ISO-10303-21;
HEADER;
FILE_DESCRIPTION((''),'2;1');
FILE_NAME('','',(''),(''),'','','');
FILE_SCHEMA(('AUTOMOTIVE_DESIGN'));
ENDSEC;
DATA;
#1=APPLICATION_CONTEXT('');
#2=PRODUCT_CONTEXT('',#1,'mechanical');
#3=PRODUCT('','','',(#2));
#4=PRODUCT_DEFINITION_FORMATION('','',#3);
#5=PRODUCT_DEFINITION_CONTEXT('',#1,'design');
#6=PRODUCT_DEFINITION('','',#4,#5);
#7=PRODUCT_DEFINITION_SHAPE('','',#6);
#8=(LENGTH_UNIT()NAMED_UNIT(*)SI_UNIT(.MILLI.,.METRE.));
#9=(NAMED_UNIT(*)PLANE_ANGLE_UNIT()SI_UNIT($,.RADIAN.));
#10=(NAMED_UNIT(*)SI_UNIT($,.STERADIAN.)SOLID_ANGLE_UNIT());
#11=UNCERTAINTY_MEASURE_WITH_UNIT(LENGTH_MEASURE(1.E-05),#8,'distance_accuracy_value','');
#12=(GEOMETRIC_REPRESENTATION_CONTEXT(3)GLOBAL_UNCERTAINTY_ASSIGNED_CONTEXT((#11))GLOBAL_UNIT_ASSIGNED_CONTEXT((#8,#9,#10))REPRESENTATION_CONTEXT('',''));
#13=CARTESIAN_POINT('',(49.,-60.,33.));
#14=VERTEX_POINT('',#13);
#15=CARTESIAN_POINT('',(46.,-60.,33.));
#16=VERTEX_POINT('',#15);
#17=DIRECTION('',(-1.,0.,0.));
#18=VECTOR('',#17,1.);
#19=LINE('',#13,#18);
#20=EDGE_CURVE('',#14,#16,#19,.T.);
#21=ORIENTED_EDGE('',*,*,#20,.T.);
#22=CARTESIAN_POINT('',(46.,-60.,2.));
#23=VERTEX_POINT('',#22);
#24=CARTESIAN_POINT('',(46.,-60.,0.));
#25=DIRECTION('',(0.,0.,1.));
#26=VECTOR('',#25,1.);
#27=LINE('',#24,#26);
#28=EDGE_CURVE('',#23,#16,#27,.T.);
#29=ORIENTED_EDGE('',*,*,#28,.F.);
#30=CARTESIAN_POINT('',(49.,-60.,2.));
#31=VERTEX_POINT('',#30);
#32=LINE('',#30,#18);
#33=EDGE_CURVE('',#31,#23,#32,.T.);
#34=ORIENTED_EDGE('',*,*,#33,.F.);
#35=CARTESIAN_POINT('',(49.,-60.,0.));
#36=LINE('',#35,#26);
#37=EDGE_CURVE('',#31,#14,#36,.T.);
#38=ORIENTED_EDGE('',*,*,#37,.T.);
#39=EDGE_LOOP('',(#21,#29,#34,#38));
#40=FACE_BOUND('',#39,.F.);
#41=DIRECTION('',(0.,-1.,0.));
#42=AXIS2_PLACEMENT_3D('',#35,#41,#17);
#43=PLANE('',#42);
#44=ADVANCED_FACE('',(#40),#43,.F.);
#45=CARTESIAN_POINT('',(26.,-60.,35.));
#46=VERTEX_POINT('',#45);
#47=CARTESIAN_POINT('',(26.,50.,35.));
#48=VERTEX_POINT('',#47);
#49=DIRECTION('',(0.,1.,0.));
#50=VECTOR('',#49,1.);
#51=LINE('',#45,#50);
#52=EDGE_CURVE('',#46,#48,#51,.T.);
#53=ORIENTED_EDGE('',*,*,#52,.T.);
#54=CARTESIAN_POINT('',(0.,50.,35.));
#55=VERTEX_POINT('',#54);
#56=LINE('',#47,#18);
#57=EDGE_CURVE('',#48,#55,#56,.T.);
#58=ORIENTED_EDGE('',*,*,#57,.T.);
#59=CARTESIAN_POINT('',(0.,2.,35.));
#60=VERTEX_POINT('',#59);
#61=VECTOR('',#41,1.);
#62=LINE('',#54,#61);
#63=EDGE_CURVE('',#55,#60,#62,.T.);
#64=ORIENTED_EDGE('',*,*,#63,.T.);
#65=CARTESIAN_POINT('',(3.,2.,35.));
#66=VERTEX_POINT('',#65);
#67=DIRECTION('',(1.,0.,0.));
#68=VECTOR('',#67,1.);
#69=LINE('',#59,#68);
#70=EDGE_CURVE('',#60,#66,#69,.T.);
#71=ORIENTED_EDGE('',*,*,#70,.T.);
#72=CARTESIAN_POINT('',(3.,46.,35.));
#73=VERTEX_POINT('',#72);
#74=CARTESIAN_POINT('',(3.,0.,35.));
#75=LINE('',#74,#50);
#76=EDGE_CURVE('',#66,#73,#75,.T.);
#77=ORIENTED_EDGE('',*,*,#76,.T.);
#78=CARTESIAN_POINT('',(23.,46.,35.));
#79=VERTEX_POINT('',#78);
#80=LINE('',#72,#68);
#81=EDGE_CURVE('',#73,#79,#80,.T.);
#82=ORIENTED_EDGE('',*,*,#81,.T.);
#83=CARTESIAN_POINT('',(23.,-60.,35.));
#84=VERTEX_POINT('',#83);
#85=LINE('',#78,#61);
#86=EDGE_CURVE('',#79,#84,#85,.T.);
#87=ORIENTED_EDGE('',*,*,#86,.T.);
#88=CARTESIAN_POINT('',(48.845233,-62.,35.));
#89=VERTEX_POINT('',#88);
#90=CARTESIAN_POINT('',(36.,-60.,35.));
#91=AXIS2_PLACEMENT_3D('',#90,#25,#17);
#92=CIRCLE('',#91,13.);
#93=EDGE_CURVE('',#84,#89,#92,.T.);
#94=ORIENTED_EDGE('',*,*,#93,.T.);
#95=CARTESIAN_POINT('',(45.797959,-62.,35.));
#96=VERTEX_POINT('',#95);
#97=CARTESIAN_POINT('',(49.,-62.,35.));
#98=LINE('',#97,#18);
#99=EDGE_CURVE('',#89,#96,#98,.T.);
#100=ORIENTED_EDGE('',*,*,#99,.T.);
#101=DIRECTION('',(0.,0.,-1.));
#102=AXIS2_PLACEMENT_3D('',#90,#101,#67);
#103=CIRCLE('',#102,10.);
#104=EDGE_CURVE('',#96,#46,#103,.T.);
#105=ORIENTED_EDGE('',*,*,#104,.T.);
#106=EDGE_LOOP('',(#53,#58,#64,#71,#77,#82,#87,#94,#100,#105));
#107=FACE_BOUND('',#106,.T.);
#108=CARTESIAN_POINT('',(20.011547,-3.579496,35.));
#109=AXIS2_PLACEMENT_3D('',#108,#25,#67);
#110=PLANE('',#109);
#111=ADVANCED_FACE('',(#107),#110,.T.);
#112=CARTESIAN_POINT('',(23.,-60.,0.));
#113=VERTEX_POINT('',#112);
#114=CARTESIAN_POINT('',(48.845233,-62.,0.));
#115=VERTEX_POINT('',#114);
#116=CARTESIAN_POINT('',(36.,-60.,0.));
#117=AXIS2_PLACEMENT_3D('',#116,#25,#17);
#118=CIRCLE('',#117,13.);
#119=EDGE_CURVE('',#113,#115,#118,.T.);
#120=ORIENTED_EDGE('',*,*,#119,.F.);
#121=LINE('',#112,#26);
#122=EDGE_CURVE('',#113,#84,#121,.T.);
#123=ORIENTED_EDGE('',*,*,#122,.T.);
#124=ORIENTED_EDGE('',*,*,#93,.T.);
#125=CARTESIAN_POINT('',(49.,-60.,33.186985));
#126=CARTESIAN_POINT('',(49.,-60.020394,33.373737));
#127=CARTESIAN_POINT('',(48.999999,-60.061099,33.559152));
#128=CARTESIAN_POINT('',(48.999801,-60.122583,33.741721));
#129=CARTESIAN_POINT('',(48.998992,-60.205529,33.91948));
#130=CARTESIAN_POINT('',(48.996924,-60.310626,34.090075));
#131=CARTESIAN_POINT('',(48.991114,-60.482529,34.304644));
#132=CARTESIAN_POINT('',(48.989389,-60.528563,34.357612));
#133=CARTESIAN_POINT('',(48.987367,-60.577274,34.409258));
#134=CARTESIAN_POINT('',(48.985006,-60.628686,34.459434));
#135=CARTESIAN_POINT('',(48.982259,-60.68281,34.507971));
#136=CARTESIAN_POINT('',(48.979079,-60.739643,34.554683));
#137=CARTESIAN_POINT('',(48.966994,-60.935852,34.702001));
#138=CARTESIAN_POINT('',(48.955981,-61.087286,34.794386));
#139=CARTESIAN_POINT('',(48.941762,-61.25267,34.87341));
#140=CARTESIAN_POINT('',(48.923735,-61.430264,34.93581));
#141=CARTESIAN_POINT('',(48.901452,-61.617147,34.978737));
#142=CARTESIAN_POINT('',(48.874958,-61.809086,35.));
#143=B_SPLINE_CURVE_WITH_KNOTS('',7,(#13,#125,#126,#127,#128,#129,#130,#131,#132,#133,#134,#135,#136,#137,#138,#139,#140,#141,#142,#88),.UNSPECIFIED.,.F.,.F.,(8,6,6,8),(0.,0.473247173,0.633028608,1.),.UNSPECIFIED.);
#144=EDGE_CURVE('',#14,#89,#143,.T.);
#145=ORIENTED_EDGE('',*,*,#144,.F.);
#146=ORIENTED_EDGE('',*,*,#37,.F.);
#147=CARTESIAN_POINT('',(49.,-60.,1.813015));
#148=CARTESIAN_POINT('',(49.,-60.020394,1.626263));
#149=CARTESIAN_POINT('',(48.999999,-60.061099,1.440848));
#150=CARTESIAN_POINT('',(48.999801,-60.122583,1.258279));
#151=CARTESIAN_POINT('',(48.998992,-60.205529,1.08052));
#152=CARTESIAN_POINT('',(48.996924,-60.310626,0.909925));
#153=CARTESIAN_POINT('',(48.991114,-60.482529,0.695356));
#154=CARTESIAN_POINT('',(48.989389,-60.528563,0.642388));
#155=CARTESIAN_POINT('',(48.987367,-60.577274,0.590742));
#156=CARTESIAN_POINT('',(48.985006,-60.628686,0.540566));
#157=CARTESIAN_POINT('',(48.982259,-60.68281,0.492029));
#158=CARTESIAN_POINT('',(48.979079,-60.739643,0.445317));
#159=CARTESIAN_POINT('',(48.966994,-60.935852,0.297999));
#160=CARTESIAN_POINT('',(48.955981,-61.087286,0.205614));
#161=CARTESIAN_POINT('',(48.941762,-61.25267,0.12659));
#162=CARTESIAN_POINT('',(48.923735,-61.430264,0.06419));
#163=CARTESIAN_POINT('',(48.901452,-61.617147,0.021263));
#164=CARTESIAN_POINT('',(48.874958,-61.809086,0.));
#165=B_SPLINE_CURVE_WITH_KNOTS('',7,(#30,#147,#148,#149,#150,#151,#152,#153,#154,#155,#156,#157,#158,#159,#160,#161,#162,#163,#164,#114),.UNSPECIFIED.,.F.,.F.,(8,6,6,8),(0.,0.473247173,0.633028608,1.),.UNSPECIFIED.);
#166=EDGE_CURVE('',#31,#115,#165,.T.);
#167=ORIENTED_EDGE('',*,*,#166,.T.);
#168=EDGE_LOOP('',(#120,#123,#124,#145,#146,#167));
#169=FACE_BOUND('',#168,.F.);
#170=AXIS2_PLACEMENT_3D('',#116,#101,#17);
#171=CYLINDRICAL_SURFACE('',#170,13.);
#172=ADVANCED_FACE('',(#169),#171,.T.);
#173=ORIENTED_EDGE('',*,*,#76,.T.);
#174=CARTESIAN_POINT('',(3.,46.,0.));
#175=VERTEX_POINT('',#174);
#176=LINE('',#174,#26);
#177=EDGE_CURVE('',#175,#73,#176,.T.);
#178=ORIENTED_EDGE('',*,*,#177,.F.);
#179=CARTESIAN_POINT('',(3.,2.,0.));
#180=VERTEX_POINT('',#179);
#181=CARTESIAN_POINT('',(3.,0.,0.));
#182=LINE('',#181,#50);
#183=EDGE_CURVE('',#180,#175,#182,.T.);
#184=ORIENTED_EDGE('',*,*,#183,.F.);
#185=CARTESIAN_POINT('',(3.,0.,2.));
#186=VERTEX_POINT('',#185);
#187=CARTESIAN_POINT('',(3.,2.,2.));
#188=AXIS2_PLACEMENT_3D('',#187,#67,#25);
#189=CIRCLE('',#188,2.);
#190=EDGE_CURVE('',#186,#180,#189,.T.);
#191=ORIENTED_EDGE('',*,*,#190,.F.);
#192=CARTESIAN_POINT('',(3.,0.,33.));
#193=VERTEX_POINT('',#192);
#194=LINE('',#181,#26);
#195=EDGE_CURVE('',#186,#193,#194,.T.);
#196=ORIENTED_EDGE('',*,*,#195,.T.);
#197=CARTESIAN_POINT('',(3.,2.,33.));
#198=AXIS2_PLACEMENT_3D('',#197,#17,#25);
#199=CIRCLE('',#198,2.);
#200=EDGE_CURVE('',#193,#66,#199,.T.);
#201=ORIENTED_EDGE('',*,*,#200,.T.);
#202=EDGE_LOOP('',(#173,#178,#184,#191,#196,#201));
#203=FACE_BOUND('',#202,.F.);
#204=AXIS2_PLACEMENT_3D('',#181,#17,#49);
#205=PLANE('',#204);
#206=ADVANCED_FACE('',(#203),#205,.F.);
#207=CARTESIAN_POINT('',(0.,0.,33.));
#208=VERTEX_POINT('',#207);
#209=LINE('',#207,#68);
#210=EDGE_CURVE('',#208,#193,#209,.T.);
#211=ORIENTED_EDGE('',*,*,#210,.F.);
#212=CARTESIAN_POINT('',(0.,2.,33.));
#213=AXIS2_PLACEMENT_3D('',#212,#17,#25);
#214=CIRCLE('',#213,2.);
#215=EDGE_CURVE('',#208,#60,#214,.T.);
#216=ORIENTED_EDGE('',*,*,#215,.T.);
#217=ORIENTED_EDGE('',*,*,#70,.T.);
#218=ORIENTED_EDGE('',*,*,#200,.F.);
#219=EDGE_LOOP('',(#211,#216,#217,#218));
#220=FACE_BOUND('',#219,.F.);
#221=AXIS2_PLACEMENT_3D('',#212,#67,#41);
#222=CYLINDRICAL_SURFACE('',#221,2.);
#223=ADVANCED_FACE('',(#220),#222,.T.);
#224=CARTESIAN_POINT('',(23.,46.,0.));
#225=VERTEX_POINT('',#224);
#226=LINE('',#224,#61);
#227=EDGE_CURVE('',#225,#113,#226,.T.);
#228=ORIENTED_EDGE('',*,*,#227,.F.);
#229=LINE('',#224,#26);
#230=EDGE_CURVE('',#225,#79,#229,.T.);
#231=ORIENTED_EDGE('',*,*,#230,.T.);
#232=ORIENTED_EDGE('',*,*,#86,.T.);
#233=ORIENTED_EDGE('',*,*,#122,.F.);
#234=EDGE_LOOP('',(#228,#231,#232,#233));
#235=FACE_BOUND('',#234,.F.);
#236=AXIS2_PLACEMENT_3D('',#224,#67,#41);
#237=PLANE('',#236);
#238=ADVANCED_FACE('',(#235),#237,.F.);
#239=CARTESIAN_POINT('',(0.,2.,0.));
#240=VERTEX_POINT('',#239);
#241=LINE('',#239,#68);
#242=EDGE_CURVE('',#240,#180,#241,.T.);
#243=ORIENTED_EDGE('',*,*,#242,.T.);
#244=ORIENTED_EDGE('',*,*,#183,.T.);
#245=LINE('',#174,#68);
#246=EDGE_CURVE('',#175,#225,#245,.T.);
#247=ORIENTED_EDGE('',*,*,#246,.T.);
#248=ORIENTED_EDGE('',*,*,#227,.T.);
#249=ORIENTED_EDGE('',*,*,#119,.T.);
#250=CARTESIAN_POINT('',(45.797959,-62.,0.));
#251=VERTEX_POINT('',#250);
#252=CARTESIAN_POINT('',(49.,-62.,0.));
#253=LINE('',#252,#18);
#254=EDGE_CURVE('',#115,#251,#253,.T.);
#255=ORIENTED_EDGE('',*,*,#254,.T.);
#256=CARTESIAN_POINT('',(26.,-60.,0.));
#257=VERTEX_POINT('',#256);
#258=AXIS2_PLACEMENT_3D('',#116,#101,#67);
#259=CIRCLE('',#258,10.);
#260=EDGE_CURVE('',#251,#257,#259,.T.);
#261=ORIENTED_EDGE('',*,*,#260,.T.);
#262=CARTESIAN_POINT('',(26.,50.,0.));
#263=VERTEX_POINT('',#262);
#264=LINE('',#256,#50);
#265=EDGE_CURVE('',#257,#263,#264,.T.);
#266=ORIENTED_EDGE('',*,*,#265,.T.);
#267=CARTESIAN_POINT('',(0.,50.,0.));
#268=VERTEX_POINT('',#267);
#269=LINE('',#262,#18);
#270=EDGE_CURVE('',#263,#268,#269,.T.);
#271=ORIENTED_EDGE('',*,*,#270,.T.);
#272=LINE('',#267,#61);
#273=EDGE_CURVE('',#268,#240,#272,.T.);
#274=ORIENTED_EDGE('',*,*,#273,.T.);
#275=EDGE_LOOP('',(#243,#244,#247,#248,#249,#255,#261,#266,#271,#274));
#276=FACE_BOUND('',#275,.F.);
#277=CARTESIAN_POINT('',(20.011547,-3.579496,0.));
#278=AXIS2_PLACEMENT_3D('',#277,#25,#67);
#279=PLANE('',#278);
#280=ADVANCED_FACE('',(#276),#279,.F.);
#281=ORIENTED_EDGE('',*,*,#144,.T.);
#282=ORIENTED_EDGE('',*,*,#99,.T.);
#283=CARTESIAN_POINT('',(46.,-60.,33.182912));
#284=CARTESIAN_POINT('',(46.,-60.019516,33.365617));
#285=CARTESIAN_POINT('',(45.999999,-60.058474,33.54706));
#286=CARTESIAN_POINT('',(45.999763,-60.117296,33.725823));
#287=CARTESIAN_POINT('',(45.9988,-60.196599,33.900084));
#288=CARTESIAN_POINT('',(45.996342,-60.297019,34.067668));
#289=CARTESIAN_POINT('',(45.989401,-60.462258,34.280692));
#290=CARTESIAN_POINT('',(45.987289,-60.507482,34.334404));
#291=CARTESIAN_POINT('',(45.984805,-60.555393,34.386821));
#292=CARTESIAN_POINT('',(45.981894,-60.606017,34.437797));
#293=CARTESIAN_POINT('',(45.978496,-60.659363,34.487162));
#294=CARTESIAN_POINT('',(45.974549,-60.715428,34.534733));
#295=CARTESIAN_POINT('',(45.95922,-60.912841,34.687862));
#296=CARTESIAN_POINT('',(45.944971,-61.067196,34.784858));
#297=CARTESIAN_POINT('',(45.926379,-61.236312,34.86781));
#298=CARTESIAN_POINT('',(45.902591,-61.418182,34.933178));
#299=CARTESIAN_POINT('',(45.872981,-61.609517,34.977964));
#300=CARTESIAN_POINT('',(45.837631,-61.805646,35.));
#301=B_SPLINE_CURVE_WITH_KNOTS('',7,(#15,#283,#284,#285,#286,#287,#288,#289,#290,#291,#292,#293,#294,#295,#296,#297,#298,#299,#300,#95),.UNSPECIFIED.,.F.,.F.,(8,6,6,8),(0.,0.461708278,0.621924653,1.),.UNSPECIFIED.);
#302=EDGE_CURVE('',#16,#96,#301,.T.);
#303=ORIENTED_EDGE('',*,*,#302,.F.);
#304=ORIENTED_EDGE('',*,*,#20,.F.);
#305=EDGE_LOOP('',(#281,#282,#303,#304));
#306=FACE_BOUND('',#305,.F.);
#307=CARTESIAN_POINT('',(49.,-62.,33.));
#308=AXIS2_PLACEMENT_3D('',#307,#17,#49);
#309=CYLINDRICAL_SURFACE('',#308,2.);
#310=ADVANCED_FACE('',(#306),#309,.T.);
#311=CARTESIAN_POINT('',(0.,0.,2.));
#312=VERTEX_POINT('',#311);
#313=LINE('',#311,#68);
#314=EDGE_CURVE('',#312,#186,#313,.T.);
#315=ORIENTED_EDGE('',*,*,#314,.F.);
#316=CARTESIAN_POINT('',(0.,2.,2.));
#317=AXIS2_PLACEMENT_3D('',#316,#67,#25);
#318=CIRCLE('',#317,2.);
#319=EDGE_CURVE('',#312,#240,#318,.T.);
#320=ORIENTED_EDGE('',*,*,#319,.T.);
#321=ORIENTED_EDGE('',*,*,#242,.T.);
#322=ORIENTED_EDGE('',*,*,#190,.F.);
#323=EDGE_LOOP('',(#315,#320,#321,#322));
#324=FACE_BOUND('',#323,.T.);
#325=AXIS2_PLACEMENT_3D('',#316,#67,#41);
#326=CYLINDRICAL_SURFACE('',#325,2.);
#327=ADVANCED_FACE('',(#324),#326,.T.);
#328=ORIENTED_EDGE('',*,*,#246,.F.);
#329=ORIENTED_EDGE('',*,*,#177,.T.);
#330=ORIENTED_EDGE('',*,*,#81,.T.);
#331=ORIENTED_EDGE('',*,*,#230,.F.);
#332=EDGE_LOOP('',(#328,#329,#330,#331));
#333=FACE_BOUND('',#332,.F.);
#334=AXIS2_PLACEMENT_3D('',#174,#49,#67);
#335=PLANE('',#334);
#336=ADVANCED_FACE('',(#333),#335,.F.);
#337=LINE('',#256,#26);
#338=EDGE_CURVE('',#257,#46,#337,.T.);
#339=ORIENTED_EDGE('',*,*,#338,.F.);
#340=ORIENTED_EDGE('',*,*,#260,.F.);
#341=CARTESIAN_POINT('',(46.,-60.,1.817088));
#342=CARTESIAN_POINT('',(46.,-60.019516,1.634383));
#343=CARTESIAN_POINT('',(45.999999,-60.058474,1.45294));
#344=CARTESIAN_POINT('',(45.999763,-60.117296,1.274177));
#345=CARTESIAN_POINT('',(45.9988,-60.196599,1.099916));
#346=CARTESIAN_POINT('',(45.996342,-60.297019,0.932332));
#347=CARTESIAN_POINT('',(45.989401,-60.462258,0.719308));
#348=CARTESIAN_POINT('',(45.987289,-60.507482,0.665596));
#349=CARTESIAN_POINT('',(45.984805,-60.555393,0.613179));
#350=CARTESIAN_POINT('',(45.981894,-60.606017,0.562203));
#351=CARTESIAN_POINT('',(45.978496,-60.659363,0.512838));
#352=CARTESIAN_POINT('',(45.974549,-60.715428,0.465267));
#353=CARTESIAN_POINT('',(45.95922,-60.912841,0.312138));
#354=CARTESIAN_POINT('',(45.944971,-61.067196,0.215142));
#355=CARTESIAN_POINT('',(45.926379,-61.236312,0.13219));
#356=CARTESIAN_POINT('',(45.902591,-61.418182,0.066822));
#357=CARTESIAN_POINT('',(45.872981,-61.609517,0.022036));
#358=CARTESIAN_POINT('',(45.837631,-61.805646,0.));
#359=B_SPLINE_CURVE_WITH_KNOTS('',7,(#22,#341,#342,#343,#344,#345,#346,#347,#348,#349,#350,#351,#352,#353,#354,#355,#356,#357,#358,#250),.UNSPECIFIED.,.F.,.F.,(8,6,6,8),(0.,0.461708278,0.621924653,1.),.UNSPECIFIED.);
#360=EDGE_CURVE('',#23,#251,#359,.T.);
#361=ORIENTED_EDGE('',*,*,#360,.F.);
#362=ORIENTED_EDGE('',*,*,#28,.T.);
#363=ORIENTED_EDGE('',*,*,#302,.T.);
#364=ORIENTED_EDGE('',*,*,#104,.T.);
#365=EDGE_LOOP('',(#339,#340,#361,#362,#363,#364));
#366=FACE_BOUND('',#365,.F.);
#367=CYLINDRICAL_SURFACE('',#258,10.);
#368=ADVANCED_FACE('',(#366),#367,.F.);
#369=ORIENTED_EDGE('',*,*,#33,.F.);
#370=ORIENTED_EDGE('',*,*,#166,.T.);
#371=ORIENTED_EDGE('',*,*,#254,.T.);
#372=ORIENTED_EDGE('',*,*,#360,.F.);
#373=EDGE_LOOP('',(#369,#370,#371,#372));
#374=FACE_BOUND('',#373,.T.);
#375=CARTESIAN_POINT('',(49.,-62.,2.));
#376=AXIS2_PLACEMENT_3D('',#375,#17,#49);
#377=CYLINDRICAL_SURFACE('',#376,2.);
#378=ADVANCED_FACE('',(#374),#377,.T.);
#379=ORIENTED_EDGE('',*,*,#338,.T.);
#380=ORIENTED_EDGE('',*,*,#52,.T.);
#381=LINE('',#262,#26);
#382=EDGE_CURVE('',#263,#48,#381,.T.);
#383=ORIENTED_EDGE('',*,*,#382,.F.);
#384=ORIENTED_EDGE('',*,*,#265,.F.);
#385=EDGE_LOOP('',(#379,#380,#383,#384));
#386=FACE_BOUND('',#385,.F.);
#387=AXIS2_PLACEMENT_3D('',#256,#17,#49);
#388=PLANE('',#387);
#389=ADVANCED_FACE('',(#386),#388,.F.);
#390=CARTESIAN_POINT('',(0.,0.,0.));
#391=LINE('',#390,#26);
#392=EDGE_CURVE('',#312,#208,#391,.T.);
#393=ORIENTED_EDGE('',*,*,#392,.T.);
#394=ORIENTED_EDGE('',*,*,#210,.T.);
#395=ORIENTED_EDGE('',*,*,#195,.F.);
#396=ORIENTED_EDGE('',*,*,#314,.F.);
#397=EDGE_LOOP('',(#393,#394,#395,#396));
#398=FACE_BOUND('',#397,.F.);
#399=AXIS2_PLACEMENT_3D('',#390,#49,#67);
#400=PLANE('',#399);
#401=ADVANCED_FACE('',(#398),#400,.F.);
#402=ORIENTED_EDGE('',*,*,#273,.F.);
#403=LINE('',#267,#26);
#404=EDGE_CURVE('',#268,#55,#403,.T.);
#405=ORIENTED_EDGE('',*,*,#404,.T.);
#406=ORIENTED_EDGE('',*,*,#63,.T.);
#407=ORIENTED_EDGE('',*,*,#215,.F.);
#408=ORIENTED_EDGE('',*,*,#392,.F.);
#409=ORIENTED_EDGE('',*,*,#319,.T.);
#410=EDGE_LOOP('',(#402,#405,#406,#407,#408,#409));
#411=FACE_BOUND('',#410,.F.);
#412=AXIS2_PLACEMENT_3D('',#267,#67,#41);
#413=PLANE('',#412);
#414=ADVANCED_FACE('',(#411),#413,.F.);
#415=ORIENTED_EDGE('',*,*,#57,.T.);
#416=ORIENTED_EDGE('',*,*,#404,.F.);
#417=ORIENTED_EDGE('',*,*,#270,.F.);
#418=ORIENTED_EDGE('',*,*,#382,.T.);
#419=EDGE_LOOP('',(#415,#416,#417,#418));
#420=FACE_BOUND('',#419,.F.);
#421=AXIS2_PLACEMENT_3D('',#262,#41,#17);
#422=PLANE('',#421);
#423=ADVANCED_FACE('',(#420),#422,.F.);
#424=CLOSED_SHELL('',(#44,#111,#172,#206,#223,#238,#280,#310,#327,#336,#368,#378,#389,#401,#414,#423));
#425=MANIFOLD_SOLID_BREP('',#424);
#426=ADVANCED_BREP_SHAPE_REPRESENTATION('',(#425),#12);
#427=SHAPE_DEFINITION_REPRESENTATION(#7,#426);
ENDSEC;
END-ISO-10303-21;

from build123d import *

# Parameters (mm, degrees)
F1_DEPTH = 35
F2_R     = 2


with BuildPart() as f1:
    # F0 (on Top) → F1 (new body)
    with BuildSketch(Plane.XY):
        with BuildLine():
            Line((0, 50), (0, 0))
            Line((0, 0), (3, 0))
            Line((3, 0), (3, 46))
            Line((3, 46), (23, 46))
            Line((23, 46), (23, -60))
            ThreePointArc((23, -60), (36, -73), (49, -60))
            Line((49, -60), (46, -60))
            ThreePointArc((46, -60), (36, -70), (26, -60))
            Line((26, -60), (26, 50))
            Line((26, 50), (0, 50))
        make_face()
    extrude(amount=F1_DEPTH)

    # F2
    f2_edges = [f1.edges().sort_by_distance(p)[0] for p in [
        (47.5, -60, 35),
        (47.5, -60, 0),
        (1.5, 0, 35),
        (1.5, 0, 0),
    ]]
    fillet(f2_edges, radius=F2_R)


solid = f1.part
